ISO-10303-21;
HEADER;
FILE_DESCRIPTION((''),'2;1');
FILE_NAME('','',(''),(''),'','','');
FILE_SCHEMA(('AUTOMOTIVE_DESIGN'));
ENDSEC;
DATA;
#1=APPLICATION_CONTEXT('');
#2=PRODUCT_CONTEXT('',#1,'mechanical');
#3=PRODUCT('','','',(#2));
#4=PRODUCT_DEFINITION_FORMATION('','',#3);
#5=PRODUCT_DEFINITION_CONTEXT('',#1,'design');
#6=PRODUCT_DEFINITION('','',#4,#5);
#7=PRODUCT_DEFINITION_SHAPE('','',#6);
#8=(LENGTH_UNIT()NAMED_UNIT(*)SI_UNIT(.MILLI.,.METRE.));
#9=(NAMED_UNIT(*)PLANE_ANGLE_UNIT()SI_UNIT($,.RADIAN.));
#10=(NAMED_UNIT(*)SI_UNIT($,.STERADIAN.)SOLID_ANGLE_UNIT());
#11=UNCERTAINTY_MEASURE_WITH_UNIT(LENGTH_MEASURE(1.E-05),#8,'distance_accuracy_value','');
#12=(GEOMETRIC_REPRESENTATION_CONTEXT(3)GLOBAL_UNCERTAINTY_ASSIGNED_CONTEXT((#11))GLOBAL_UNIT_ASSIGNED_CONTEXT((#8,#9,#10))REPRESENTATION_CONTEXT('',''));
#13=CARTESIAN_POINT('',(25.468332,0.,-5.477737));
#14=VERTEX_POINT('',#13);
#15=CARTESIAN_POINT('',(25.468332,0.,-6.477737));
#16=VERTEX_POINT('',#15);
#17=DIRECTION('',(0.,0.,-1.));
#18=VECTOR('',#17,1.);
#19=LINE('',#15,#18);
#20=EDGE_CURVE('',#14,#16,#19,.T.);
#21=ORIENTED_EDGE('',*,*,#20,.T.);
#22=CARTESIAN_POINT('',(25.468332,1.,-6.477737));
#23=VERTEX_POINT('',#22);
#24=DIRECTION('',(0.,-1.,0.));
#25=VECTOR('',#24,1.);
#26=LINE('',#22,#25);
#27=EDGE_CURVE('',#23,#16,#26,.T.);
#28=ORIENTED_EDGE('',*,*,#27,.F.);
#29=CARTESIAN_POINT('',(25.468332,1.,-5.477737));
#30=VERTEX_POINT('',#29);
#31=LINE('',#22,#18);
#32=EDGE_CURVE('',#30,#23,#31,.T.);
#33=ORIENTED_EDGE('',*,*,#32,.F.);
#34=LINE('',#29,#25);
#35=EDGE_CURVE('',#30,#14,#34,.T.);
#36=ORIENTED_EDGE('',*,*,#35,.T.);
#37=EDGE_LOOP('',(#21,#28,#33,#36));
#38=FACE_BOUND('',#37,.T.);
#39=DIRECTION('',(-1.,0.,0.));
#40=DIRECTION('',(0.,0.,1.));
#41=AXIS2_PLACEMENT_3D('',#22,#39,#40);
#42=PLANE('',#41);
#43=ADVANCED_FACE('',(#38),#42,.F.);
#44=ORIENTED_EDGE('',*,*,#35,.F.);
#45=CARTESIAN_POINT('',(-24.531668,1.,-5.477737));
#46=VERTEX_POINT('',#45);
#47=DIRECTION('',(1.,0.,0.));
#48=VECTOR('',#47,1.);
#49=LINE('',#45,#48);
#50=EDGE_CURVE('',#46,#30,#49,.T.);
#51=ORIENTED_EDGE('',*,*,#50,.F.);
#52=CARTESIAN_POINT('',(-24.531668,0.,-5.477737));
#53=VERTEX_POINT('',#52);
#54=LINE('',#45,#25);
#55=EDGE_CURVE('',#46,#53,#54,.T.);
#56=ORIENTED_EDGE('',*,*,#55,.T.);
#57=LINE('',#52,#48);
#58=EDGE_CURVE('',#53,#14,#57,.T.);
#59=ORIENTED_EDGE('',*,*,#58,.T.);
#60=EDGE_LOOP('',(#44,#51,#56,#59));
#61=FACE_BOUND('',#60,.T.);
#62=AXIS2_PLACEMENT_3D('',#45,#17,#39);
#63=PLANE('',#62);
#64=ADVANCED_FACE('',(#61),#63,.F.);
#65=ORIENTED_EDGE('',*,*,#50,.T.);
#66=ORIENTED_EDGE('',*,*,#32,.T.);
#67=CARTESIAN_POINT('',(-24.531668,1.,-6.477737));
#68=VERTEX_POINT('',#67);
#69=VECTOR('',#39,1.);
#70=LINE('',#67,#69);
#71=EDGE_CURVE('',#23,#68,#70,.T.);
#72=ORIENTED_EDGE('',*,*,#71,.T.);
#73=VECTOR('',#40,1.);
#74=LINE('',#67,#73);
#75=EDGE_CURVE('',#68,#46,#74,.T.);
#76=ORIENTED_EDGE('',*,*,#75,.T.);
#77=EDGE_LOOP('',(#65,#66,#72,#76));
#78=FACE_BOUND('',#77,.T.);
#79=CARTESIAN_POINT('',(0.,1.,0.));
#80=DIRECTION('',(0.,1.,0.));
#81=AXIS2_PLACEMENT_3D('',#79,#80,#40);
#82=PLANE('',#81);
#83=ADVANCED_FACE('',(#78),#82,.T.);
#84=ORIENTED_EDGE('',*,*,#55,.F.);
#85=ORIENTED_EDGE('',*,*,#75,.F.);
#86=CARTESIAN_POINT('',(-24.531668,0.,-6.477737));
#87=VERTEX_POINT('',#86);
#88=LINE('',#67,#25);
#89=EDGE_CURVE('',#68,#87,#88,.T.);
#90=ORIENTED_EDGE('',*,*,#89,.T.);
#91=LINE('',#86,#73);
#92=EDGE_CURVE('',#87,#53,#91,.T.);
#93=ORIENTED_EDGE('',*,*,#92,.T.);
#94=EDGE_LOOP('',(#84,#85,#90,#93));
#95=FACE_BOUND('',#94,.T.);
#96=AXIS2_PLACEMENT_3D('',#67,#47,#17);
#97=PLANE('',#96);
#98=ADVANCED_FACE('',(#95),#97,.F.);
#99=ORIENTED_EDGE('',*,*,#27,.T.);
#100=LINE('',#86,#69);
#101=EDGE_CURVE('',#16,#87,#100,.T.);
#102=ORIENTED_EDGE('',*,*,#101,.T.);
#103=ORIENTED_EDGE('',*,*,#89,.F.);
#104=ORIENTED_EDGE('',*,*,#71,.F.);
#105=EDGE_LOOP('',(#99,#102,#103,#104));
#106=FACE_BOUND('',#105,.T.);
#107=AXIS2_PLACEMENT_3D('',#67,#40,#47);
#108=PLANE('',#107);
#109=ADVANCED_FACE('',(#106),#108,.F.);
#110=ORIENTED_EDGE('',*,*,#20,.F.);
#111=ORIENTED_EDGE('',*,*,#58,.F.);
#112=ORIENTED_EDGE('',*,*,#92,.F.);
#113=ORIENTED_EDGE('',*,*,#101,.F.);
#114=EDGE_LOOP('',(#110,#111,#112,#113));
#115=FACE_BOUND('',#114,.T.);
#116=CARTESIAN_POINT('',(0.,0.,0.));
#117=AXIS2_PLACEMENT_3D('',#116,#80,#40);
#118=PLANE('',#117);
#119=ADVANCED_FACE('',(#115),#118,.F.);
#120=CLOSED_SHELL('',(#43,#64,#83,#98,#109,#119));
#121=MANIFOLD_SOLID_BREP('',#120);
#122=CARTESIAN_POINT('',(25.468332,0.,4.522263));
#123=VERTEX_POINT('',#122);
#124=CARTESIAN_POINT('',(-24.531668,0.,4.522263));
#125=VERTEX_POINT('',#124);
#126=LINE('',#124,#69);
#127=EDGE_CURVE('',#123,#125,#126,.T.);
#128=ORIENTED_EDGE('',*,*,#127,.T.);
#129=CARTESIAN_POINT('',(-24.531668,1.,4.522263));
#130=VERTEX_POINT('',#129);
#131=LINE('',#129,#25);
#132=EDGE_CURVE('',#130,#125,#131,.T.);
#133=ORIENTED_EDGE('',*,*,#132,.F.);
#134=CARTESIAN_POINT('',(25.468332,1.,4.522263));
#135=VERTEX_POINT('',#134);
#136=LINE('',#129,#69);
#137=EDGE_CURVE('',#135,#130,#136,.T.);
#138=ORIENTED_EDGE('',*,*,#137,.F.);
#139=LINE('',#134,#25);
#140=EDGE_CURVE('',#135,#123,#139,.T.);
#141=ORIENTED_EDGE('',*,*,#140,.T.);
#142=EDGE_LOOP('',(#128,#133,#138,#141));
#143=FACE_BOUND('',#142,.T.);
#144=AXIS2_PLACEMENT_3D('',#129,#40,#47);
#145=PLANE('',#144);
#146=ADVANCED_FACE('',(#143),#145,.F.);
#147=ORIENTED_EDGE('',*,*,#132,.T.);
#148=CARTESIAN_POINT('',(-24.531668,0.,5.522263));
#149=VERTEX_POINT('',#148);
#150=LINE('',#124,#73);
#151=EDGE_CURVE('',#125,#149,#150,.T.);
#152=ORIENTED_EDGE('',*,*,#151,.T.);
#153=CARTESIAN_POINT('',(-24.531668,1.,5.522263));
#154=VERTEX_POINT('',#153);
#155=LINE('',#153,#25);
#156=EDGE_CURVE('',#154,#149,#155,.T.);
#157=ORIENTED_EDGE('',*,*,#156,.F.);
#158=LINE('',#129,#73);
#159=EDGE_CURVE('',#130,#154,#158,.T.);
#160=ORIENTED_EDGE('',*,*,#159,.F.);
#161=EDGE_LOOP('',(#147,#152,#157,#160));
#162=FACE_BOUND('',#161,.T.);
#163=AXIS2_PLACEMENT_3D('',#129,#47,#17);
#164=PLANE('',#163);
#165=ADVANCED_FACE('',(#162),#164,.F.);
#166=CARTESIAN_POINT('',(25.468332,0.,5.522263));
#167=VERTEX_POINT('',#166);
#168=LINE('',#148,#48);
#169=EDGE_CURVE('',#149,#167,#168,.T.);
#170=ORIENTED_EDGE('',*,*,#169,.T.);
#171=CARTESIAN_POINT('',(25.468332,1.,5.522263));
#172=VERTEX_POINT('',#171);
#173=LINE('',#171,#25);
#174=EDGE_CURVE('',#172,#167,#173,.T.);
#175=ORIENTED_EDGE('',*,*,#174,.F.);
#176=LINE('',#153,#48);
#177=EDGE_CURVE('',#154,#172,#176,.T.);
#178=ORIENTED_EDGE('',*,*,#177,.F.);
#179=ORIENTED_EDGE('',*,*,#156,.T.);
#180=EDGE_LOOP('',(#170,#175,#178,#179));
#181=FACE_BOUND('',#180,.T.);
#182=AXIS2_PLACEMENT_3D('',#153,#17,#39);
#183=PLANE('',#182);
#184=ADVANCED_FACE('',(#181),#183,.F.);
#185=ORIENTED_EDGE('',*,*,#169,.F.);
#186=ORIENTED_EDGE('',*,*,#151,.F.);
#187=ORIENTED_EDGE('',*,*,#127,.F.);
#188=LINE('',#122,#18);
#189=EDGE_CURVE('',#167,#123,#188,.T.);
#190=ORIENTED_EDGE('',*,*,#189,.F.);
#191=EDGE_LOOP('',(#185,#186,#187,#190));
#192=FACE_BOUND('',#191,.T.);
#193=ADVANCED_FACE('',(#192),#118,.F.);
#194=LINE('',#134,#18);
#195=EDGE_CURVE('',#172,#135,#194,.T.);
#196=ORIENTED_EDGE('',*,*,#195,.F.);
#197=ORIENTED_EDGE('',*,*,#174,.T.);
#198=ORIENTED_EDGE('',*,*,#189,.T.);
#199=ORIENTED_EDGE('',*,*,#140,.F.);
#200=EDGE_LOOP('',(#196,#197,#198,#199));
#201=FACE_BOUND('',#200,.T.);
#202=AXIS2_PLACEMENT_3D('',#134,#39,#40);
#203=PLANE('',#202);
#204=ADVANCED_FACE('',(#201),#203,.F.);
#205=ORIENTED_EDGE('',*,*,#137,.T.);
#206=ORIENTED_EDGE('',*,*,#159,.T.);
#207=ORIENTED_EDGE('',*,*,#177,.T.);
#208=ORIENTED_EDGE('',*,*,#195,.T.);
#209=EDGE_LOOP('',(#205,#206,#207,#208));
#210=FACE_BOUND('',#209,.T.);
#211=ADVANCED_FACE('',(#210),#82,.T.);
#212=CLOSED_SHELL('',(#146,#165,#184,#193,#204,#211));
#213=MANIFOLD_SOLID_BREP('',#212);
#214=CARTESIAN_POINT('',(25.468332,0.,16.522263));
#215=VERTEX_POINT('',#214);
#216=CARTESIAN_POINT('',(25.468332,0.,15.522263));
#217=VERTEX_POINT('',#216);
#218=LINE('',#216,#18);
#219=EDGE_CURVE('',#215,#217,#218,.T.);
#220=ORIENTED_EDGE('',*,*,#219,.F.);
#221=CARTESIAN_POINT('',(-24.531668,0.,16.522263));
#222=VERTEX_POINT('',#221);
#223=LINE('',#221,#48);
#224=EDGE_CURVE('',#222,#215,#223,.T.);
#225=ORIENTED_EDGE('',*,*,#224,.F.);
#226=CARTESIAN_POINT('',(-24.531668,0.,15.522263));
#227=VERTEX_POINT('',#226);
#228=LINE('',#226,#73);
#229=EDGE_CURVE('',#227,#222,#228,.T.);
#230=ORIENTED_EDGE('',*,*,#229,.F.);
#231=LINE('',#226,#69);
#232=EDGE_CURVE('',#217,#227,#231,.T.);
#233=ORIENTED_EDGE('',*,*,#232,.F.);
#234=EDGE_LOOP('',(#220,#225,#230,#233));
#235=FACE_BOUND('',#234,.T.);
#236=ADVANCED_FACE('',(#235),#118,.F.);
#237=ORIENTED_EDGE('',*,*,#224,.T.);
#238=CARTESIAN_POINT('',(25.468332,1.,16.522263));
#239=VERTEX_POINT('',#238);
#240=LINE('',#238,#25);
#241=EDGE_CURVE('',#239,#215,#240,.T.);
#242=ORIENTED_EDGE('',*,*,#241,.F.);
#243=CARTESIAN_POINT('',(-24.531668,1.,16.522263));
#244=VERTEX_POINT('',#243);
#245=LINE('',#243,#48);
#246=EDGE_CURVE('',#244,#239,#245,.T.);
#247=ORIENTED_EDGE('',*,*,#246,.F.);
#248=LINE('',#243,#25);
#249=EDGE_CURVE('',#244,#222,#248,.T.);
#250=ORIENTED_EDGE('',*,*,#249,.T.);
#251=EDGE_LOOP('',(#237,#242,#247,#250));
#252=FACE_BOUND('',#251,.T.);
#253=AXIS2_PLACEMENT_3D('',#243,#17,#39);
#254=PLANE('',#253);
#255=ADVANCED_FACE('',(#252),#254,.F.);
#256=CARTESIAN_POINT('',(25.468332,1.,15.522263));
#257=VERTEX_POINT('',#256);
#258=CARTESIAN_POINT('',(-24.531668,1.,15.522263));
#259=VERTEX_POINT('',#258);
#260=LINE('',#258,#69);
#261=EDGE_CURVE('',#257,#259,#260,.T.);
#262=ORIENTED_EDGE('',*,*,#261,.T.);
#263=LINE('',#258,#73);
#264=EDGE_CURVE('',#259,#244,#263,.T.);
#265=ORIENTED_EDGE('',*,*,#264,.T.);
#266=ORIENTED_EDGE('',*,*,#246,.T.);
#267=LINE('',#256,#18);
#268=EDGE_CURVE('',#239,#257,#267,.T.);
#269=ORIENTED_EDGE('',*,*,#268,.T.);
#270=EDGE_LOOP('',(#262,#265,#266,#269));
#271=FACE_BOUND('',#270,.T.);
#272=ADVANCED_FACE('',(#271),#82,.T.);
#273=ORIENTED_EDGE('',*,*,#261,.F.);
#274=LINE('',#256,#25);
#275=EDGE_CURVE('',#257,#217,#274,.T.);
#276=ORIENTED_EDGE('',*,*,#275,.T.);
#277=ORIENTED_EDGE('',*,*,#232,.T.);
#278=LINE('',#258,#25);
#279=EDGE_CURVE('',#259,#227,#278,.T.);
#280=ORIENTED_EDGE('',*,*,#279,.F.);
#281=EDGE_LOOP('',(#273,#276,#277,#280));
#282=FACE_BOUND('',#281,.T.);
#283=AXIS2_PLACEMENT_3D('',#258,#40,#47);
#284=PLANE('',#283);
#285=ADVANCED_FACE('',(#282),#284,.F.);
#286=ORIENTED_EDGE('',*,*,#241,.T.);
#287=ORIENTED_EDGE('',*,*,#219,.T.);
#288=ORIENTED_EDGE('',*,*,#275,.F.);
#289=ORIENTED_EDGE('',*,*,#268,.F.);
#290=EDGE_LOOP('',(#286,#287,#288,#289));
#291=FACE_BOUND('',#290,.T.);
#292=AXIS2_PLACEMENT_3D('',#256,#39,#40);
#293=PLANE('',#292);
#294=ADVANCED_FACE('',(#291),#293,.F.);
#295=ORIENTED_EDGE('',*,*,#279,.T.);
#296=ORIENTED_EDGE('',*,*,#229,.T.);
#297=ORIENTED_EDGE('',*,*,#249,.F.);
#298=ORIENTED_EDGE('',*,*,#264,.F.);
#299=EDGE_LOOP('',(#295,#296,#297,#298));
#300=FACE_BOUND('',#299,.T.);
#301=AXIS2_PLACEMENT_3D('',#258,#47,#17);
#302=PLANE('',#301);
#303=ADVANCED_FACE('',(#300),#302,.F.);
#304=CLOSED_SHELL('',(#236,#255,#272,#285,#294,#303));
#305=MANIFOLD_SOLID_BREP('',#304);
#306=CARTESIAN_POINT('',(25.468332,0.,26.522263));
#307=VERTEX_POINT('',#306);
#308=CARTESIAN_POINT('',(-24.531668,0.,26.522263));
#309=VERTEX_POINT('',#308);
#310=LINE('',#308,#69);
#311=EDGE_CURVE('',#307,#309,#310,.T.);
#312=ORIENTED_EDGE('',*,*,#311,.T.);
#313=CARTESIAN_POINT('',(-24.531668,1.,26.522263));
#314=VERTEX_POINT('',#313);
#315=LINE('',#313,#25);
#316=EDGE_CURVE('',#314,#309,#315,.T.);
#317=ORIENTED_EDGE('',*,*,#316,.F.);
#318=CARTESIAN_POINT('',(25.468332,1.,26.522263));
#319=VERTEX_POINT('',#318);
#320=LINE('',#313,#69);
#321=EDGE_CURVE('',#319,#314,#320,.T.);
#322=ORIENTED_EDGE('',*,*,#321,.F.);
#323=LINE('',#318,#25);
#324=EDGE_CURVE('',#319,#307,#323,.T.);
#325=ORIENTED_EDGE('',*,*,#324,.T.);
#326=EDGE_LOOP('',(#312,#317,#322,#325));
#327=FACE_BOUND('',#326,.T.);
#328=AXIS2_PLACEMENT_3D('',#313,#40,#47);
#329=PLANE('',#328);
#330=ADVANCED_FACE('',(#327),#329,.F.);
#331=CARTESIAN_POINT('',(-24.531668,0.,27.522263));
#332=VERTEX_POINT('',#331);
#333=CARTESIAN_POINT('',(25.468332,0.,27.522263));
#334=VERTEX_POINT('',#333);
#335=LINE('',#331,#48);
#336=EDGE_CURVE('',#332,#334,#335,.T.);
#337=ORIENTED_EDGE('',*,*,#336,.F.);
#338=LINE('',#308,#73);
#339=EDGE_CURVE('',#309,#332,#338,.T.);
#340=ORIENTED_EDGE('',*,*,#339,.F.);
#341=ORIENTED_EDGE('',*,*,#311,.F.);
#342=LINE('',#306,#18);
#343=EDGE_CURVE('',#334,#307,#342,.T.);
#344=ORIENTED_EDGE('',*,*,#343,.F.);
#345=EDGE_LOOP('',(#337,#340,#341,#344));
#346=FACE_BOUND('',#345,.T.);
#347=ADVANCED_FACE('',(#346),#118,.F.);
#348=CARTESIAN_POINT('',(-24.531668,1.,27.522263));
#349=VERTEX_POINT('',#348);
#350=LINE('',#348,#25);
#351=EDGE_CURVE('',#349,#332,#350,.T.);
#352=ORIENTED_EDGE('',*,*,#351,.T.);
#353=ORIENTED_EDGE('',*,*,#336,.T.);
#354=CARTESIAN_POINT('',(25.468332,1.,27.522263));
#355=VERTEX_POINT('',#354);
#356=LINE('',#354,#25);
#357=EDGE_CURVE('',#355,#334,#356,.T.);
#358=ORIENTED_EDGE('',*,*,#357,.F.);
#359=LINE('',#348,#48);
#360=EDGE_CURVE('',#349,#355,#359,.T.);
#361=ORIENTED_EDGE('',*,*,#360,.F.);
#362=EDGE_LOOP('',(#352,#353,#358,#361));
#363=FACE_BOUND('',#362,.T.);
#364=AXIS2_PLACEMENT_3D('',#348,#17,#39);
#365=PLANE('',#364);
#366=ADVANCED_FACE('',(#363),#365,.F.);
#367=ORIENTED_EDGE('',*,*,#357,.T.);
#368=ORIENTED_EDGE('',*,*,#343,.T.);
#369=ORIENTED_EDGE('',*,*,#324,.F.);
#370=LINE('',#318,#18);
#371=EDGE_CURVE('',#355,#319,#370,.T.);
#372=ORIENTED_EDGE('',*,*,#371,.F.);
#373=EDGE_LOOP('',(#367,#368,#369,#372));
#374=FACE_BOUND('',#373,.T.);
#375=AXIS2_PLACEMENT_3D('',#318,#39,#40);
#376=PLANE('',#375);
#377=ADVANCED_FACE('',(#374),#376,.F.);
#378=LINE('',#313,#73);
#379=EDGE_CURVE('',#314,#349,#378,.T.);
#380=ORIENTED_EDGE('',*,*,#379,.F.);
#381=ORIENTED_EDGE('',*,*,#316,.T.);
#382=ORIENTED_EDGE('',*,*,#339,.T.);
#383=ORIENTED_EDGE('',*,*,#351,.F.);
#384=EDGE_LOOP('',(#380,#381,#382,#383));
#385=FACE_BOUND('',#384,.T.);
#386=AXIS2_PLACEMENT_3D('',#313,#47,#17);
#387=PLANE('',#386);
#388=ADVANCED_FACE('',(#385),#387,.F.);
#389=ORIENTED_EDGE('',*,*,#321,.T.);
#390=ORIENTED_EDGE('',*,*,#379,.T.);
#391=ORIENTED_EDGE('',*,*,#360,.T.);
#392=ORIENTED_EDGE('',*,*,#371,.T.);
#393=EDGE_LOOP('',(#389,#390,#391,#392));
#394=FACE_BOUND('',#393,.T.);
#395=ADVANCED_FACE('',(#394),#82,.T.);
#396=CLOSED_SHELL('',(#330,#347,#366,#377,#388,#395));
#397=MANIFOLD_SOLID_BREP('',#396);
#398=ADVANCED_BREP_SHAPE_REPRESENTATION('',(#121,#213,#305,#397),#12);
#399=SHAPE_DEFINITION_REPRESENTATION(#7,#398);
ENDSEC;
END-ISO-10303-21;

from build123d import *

# Parameters (mm, degrees)
SKETCH1_W             = 50
SKETCH1_H             = 1
BOSS_EXTRUDE1_DEPTH   = 1
BOSS_EXTRUDE1_2_DEPTH = 1
BOSS_EXTRUDE1_3_DEPTH = 1
BOSS_EXTRUDE1_4_DEPTH = 1


with BuildPart() as part:
    # Sketch1 → Boss-Extrude1 (new body)
    with BuildSketch(Plane(origin=(0, 0, 0), x_dir=(1, 0, 0), z_dir=(0, 1, 0))):
        with Locations((0.468331847, 5.977736756)):
            Rectangle(SKETCH1_W, SKETCH1_H)
    extrude(amount=BOSS_EXTRUDE1_DEPTH)


with BuildPart() as body_2:
    # Sketch1 → Boss-Extrude1 2 (new body)
    with BuildSketch(Plane(origin=(0, 0, 0), x_dir=(1, 0, 0), z_dir=(0, 1, 0))):
        with Locations((0.468331847, -5.022263244)):
            Rectangle(SKETCH1_W, SKETCH1_H)
    extrude(amount=BOSS_EXTRUDE1_2_DEPTH)


with BuildPart() as body_3:
    # Sketch1 → Boss-Extrude1 3 (new body)
    with BuildSketch(Plane(origin=(0, 0, 0), x_dir=(1, 0, 0), z_dir=(0, 1, 0))):
        with Locations((0.468331847, -16.022263244)):
            Rectangle(SKETCH1_W, SKETCH1_H)
    extrude(amount=BOSS_EXTRUDE1_3_DEPTH)


with BuildPart() as body_4:
    # Sketch1 → Boss-Extrude1 4 (new body)
    with BuildSketch(Plane(origin=(0, 0, 0), x_dir=(1, 0, 0), z_dir=(0, 1, 0))):
        with Locations((0.468331847, -27.022263244)):
            Rectangle(SKETCH1_W, SKETCH1_H)
    extrude(amount=BOSS_EXTRUDE1_4_DEPTH)


solid = Compound([part.part, body_2.part, body_3.part, body_4.part])
